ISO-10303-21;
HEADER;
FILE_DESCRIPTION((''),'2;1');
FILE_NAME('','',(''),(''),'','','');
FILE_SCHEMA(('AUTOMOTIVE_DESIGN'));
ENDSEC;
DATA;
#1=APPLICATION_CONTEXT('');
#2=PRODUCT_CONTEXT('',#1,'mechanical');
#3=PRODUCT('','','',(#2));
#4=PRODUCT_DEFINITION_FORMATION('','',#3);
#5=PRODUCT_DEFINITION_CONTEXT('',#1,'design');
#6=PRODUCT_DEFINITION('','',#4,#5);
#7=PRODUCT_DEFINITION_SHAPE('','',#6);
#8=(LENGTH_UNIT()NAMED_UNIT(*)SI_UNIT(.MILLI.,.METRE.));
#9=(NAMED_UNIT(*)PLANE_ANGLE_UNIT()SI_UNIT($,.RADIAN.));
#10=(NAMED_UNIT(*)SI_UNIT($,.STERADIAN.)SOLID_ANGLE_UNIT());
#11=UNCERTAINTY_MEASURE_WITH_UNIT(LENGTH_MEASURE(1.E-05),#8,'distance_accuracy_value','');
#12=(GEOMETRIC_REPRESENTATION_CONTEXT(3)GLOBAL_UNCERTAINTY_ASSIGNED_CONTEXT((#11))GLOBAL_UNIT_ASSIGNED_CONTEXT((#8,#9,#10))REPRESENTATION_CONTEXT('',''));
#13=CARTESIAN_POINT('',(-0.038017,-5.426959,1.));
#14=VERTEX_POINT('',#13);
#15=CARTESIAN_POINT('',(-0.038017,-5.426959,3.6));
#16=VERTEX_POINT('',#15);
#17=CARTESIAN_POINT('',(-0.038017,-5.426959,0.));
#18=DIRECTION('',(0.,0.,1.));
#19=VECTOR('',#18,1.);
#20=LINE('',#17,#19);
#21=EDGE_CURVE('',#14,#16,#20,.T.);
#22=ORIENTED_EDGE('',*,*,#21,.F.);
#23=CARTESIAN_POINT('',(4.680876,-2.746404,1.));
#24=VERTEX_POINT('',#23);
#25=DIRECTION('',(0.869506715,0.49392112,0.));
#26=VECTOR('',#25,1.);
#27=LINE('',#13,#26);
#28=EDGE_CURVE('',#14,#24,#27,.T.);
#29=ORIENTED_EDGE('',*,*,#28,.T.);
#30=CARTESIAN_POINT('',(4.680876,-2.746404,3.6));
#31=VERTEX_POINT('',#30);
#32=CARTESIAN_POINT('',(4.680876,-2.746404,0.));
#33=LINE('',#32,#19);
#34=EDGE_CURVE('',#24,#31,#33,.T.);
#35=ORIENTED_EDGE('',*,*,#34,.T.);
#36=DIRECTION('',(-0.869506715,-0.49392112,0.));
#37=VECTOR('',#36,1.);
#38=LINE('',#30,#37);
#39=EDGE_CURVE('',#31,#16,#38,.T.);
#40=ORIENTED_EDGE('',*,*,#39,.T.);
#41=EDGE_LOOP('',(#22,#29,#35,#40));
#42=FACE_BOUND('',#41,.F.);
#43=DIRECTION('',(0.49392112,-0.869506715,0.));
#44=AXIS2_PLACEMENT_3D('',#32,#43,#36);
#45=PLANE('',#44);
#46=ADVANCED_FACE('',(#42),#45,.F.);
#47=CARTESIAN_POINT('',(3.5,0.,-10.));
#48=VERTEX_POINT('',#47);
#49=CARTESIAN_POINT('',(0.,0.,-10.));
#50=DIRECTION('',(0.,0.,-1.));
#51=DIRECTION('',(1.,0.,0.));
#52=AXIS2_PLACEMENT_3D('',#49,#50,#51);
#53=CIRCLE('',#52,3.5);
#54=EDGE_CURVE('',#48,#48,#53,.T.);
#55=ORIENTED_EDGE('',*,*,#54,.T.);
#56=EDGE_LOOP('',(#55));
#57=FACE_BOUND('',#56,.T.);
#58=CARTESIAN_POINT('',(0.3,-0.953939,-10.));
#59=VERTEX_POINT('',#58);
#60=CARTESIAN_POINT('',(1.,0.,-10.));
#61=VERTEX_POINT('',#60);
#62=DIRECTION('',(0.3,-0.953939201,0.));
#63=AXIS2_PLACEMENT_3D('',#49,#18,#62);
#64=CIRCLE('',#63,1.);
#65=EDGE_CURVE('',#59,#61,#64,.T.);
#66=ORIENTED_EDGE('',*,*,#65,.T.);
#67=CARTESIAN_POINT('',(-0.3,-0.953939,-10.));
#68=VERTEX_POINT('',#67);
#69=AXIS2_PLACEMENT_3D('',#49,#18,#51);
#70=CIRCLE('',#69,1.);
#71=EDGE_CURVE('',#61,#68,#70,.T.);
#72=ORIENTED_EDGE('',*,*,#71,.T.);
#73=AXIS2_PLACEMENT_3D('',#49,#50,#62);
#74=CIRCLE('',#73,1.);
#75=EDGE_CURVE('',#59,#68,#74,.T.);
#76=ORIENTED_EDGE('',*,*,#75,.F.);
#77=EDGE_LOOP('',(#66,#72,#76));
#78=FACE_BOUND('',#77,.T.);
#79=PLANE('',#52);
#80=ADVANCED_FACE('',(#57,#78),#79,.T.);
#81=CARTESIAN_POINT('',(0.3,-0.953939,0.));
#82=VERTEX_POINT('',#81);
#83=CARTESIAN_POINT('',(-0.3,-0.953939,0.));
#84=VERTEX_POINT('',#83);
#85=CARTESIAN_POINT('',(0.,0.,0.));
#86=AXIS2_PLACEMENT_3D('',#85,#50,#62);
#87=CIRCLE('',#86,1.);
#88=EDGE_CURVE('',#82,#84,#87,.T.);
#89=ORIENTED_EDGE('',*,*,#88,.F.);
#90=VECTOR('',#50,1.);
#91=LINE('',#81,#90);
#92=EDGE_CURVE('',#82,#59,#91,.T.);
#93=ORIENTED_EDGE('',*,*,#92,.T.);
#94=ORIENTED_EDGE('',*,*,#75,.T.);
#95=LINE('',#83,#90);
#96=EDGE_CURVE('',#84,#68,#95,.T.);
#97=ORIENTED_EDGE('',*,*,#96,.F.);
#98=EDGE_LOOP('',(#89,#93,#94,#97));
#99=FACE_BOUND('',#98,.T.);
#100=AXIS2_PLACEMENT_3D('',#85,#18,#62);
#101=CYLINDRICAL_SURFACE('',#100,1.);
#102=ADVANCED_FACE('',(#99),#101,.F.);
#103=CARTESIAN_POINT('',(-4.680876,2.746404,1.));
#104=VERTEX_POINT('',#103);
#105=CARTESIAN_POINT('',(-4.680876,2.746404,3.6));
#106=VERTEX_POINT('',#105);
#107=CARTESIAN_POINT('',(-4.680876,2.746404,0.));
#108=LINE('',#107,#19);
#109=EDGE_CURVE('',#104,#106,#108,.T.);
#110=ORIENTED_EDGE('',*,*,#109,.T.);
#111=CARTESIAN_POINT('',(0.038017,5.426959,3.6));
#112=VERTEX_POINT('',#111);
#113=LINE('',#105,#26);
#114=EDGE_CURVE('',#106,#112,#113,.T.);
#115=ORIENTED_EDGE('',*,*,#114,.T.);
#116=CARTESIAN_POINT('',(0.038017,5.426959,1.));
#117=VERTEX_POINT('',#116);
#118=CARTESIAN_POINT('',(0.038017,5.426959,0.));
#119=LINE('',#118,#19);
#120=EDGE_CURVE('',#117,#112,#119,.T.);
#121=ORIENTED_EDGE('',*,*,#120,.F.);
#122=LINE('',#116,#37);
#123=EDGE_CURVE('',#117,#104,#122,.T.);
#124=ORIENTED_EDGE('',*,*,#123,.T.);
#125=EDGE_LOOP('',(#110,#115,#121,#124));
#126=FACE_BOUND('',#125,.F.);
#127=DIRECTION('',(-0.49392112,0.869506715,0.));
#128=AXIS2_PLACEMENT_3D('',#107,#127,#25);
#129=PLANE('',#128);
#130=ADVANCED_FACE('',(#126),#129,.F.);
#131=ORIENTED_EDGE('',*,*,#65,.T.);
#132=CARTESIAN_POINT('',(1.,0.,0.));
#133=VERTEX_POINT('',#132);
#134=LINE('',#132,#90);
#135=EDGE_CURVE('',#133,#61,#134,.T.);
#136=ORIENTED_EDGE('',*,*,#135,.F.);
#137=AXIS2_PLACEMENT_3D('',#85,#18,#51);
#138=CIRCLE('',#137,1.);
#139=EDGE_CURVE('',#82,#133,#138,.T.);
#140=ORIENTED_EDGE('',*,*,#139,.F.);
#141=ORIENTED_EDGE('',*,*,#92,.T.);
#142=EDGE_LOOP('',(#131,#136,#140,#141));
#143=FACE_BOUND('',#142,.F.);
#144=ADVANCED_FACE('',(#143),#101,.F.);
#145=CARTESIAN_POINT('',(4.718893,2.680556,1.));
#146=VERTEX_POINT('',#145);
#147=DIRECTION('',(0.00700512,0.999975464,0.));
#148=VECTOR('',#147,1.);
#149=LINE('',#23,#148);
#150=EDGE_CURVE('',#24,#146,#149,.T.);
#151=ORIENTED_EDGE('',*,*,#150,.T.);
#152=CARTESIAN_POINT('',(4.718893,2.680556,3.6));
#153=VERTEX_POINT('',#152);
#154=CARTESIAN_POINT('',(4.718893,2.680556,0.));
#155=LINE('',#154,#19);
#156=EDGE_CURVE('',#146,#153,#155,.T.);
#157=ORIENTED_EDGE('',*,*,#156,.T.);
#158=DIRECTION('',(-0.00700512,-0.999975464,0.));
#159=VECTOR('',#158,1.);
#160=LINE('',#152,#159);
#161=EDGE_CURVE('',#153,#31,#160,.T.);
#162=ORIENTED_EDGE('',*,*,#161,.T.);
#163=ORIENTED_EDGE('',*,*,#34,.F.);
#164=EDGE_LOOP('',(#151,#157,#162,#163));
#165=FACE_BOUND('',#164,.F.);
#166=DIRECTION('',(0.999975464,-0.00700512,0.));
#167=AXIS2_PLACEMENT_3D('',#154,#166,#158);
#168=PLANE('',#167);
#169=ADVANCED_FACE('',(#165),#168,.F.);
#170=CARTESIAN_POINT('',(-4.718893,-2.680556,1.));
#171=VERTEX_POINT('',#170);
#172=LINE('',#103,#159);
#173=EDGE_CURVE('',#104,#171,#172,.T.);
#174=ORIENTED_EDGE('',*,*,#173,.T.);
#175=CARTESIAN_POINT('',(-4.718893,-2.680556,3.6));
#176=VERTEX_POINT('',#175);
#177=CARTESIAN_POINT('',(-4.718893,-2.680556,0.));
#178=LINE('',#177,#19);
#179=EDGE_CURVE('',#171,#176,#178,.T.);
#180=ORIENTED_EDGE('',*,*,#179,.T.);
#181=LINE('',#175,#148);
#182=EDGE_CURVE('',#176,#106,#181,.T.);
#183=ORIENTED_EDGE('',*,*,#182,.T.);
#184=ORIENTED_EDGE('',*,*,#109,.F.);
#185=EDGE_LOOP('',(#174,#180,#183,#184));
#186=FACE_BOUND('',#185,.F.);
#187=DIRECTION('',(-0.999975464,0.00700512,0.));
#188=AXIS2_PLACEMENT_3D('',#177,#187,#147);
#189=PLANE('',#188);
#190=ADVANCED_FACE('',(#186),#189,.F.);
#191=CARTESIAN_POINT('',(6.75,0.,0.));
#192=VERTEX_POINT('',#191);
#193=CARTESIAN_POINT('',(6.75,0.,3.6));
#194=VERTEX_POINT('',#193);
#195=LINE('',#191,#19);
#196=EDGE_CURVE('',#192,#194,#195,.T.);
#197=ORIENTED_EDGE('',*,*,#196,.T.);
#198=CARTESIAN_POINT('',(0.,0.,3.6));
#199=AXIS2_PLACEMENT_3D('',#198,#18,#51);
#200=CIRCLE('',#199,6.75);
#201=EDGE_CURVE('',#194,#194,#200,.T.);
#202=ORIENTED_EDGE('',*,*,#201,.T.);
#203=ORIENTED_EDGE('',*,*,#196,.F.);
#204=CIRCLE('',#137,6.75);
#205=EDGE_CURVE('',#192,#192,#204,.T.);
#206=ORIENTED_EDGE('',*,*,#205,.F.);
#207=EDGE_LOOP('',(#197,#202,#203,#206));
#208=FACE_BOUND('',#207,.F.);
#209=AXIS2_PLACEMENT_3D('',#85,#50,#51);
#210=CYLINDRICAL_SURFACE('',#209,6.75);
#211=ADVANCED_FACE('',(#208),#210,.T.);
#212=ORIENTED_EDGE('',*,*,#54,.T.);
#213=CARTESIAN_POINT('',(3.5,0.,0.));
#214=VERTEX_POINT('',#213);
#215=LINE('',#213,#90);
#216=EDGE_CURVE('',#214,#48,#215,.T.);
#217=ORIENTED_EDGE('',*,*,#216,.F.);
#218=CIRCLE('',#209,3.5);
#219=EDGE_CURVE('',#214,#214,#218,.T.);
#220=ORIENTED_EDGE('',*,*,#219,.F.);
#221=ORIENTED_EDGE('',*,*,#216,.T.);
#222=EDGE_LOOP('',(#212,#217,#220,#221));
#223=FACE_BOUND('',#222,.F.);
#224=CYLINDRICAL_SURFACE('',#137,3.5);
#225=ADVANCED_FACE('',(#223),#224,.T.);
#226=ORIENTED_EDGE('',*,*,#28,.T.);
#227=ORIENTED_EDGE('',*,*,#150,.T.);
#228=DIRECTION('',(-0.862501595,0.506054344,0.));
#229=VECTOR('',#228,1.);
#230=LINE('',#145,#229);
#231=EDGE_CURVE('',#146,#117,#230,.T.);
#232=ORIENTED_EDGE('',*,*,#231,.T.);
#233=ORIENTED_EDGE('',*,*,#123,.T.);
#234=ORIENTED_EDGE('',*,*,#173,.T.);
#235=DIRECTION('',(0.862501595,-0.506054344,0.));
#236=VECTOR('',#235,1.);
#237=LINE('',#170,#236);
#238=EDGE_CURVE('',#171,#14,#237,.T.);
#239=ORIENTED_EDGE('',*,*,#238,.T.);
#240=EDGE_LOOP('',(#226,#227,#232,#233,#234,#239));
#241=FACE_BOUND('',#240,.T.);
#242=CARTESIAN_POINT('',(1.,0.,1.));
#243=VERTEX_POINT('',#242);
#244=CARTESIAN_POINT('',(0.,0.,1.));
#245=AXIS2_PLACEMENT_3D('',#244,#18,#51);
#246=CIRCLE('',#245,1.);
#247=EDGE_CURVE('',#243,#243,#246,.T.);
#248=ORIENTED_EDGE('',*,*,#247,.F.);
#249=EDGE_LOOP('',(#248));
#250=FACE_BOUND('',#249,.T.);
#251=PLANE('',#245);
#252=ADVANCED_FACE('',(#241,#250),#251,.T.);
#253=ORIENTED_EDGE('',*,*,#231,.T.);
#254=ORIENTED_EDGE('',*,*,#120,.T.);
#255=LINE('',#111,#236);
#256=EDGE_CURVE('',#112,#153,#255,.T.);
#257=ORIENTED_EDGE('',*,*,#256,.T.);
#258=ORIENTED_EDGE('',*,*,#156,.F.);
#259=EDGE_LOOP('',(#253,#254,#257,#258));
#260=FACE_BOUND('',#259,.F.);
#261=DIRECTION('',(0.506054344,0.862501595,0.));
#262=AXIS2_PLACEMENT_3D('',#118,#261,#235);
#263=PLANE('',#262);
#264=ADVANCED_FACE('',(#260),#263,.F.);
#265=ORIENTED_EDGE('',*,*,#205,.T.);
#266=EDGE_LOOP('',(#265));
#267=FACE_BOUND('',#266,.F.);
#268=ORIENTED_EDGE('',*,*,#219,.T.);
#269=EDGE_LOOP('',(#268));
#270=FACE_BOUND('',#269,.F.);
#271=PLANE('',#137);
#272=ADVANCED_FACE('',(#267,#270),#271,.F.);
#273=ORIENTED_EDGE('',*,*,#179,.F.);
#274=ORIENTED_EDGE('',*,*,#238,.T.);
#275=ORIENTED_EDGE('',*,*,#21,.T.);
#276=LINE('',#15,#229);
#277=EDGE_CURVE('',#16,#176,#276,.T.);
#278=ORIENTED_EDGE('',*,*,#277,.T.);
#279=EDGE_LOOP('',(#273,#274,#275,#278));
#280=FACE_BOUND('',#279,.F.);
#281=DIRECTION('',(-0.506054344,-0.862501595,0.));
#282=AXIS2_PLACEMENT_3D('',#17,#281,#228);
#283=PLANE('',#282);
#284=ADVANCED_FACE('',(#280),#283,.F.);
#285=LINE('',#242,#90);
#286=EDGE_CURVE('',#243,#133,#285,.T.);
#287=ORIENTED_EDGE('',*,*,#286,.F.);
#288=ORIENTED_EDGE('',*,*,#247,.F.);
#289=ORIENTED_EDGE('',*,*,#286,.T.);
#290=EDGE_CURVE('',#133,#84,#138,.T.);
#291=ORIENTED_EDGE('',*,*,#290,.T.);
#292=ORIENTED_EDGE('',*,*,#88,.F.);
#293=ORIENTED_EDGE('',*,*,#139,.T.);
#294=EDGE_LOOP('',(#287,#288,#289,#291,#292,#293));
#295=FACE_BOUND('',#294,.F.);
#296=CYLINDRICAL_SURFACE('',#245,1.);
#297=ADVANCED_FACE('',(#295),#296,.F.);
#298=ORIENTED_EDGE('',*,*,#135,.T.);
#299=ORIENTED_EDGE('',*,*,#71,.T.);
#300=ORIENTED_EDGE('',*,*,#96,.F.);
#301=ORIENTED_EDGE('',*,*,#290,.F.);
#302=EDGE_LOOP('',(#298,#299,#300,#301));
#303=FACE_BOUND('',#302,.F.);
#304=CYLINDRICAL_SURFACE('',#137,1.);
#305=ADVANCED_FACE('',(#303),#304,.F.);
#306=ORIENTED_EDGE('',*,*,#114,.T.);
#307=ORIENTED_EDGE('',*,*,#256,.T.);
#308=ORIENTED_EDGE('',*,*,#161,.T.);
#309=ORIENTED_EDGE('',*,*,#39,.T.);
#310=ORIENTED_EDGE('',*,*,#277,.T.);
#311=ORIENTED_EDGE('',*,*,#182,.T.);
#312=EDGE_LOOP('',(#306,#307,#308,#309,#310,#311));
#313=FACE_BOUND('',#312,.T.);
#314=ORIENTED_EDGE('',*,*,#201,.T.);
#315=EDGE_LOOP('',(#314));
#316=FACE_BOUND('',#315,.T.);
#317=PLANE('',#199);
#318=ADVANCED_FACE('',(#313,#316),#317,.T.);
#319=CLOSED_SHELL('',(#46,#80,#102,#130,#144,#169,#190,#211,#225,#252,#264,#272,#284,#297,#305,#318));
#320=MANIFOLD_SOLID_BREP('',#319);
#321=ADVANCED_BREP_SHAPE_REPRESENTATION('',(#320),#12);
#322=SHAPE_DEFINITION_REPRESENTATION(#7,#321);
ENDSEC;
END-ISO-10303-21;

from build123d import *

# Parameters (mm, degrees)
F0_R     = 6.75
F1_DEPTH = 3.6
F2_DEPTH = 1
F3_R     = 1
F4_DEPTH = 25
F6_DEPTH = 10
F8_R     = 3.5
F9_DEPTH = 10


with BuildPart() as f1:
    # F0 (on Top) → F1 (new body)
    with BuildSketch(Plane.XY):
        Circle(F0_R)
        Polygon((-4.6808759634, 2.7464037483), (0.0380174333, 5.4269593704), (4.7188933967, 2.6805556222), (4.6808759634, -2.7464037483), (-0.0380174333, -5.4269593704), (-4.7188933967, -2.6805556222), align=None, mode=Mode.SUBTRACT)
    extrude(amount=F1_DEPTH)

    # F0 (on Top) → F2 (join)
    with BuildSketch(Plane.XY):
        Polygon((4.7188933967, 2.6805556222), (0.0380174333, 5.4269593704), (-4.6808759634, 2.7464037483), (-4.7188933967, -2.6805556222), (-0.0380174333, -5.4269593704), (4.6808759634, -2.7464037483), align=None)
    extrude(amount=F2_DEPTH)

    # F3 (on face) → F4 (cut)
    with BuildSketch(Plane.XY.offset(1)):
        Circle(F3_R)
    extrude(amount=-F4_DEPTH, mode=Mode.SUBTRACT)

    # F5 (on face) → F6 (join)
    with BuildSketch(Plane.XY):
        with BuildLine():
            ThreePointArc((0.3, -0.9539392014), (0, -1), (-0.3, -0.9539392014))
            add(Edge.make_bspline(
                [(-0.3, -0.9539392014), (-0.2571564854, -1.7815360064), (-0.0005705868, -3.4185465418), (0.2582976589, -1.7813709101), (0.3, -0.9539392014)],
                knots=[0, 0, 0, 0, 0.5, 1, 1, 1, 1], degree=3))
        make_face()
    extrude(amount=-F6_DEPTH)

    # F8 (on face) → F9 (join)
    with BuildSketch(Plane(origin=(0, 0, 0), x_dir=(1, 0, 0), z_dir=(0, 0, -1))):
        Circle(F8_R)
        with BuildLine():
            ThreePointArc((0.3, 0.9539392014), (0.8062257748, 0.5916079783), (1, 0))
            ThreePointArc((1, 0), (-0.5916079783, -0.8062257748), (-0.3, 0.9539392014))
            add(Edge.make_bspline(
                [(-0.3, 0.9539392014), (-0.2571564854, 1.7815360064), (-0.0005705868, 3.4185465418), (0.2582976589, 1.7813709101), (0.3, 0.9539392014)],
                knots=[0, 0, 0, 0, 0.5, 1, 1, 1, 1], degree=3))
        make_face(mode=Mode.SUBTRACT)
    extrude(amount=F9_DEPTH)


solid = f1.part
